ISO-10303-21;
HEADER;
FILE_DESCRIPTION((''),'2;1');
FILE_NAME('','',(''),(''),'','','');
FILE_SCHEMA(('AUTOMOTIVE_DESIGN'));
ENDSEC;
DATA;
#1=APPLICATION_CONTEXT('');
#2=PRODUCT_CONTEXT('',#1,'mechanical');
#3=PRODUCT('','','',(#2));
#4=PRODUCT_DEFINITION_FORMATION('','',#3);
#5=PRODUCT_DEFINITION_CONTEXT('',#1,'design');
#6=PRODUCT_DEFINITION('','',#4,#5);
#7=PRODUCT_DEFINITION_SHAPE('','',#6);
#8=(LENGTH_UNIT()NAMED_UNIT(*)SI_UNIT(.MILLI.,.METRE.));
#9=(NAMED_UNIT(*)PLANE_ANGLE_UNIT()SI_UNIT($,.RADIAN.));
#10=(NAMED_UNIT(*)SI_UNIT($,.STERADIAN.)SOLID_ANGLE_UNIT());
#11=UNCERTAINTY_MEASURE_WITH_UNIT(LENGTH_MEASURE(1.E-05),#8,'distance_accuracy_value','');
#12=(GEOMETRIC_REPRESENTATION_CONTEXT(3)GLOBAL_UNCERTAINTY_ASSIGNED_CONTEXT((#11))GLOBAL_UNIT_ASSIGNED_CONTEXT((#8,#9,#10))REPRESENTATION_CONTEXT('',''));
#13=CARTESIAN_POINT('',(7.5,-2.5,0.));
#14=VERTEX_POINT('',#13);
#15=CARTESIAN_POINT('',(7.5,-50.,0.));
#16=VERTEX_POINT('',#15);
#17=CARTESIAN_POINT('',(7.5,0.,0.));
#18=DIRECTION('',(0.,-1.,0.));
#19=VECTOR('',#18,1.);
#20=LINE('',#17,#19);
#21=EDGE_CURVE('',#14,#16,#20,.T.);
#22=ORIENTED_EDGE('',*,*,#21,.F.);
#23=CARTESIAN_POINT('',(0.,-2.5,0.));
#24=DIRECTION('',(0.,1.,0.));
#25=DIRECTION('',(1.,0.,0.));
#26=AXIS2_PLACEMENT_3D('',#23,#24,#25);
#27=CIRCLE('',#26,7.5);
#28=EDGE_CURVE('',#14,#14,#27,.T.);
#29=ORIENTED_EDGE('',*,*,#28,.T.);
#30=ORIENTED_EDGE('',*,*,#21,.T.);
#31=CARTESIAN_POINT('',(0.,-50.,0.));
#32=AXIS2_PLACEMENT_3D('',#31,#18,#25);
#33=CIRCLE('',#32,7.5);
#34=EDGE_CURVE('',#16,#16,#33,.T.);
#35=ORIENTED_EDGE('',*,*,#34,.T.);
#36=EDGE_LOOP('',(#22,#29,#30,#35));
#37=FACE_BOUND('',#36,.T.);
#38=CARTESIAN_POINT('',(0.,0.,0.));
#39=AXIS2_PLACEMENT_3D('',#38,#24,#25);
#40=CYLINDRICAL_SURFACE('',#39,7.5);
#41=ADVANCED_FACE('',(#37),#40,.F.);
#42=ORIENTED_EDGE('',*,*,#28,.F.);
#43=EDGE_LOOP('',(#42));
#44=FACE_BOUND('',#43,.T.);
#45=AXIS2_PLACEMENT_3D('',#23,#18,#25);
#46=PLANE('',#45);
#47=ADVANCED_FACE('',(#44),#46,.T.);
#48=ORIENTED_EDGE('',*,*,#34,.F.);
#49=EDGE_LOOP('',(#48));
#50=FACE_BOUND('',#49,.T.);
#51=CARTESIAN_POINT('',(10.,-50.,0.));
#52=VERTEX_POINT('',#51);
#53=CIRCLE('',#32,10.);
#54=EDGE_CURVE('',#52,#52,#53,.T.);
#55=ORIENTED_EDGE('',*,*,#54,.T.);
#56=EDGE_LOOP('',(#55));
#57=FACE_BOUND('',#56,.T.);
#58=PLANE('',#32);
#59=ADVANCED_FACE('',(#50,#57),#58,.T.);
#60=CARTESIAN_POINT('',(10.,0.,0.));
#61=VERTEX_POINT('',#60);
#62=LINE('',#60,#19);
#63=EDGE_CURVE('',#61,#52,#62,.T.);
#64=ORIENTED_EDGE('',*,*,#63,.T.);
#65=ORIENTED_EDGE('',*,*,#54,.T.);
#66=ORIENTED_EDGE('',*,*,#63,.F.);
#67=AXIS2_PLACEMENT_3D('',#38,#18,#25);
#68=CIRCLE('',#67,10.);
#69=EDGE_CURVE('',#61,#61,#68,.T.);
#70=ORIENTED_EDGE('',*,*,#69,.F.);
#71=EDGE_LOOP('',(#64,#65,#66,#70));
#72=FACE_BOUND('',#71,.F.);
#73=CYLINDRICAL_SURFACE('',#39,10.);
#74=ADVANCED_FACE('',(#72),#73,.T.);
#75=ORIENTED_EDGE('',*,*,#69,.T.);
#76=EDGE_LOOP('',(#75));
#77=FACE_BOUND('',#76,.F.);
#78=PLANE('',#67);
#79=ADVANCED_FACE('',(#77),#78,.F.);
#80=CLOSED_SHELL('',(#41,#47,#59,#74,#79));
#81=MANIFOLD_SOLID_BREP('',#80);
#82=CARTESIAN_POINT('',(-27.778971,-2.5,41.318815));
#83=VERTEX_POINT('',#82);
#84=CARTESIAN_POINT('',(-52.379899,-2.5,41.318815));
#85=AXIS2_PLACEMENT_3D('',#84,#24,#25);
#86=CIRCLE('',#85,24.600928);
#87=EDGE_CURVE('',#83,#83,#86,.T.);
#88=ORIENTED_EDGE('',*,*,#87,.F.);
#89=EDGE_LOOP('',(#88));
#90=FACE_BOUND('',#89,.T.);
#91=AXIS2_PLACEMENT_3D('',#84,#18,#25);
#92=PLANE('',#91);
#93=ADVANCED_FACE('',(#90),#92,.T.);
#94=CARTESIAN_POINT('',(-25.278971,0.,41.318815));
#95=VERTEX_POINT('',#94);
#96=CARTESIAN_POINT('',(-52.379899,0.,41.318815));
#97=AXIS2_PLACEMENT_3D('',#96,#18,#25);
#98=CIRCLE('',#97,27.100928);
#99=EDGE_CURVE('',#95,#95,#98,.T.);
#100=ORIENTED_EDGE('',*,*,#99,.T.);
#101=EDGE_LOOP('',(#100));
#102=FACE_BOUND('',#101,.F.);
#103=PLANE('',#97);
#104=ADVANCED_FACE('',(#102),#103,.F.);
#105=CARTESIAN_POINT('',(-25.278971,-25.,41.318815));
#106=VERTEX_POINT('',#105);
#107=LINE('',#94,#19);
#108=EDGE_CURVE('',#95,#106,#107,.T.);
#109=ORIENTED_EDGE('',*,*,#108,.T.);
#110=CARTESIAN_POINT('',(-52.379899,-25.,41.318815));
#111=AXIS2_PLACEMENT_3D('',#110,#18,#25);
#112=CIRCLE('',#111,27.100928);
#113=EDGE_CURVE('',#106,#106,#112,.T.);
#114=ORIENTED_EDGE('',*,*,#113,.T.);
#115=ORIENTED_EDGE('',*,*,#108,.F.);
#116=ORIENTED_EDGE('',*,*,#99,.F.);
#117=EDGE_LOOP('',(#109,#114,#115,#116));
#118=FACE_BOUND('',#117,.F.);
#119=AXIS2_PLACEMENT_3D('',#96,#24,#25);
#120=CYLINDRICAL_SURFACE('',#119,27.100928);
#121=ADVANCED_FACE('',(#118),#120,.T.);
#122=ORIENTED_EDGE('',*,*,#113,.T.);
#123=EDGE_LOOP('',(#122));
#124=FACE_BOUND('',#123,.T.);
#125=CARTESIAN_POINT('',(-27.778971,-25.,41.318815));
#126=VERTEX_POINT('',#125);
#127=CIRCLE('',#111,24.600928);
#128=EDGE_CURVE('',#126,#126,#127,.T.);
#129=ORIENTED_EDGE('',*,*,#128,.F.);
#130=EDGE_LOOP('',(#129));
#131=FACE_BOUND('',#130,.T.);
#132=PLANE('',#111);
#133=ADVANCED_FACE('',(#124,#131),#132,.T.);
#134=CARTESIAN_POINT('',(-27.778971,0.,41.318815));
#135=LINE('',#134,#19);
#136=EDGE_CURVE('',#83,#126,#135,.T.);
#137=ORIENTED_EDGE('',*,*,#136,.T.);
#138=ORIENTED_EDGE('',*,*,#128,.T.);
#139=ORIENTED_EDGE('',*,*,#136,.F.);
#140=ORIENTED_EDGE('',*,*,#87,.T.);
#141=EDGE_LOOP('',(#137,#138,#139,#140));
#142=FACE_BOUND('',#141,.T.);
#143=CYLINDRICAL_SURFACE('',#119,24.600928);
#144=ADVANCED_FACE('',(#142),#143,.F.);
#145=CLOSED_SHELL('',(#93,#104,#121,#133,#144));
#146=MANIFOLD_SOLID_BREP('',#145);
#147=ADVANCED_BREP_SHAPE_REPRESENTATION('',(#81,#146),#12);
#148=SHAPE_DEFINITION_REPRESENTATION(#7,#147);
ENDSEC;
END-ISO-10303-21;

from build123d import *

# Parameters (mm, degrees)
F5_R     = 10
F0_DEPTH = 50
F1_R     = 27.100928
F2_DEPTH = 25
F3_T     = -2.5
F4_T     = -2.5


with BuildPart() as f0:
    # F5 (on Front) → F0 (new body)
    with BuildSketch(Plane.XZ):
        Circle(F5_R)
    extrude(amount=F0_DEPTH)

    # F3
    f3_openings = [f0.faces().sort_by_distance(p)[0] for p in [
        (0, -50, 0),
    ]]
    offset(amount=F3_T, openings=f3_openings)


with BuildPart() as f2:
    # F1 (on Front) → F2 (new body)
    with BuildSketch(Plane.XZ):
        with Locations((-52.379899, 41.318815)):
            Circle(F1_R)
    extrude(amount=F2_DEPTH)

    # F4
    f4_openings = [f2.faces().sort_by_distance(p)[0] for p in [
        (-52.379899, -25, 41.318815),
    ]]
    offset(amount=F4_T, openings=f4_openings)


solid = Compound([f0.part, f2.part])
